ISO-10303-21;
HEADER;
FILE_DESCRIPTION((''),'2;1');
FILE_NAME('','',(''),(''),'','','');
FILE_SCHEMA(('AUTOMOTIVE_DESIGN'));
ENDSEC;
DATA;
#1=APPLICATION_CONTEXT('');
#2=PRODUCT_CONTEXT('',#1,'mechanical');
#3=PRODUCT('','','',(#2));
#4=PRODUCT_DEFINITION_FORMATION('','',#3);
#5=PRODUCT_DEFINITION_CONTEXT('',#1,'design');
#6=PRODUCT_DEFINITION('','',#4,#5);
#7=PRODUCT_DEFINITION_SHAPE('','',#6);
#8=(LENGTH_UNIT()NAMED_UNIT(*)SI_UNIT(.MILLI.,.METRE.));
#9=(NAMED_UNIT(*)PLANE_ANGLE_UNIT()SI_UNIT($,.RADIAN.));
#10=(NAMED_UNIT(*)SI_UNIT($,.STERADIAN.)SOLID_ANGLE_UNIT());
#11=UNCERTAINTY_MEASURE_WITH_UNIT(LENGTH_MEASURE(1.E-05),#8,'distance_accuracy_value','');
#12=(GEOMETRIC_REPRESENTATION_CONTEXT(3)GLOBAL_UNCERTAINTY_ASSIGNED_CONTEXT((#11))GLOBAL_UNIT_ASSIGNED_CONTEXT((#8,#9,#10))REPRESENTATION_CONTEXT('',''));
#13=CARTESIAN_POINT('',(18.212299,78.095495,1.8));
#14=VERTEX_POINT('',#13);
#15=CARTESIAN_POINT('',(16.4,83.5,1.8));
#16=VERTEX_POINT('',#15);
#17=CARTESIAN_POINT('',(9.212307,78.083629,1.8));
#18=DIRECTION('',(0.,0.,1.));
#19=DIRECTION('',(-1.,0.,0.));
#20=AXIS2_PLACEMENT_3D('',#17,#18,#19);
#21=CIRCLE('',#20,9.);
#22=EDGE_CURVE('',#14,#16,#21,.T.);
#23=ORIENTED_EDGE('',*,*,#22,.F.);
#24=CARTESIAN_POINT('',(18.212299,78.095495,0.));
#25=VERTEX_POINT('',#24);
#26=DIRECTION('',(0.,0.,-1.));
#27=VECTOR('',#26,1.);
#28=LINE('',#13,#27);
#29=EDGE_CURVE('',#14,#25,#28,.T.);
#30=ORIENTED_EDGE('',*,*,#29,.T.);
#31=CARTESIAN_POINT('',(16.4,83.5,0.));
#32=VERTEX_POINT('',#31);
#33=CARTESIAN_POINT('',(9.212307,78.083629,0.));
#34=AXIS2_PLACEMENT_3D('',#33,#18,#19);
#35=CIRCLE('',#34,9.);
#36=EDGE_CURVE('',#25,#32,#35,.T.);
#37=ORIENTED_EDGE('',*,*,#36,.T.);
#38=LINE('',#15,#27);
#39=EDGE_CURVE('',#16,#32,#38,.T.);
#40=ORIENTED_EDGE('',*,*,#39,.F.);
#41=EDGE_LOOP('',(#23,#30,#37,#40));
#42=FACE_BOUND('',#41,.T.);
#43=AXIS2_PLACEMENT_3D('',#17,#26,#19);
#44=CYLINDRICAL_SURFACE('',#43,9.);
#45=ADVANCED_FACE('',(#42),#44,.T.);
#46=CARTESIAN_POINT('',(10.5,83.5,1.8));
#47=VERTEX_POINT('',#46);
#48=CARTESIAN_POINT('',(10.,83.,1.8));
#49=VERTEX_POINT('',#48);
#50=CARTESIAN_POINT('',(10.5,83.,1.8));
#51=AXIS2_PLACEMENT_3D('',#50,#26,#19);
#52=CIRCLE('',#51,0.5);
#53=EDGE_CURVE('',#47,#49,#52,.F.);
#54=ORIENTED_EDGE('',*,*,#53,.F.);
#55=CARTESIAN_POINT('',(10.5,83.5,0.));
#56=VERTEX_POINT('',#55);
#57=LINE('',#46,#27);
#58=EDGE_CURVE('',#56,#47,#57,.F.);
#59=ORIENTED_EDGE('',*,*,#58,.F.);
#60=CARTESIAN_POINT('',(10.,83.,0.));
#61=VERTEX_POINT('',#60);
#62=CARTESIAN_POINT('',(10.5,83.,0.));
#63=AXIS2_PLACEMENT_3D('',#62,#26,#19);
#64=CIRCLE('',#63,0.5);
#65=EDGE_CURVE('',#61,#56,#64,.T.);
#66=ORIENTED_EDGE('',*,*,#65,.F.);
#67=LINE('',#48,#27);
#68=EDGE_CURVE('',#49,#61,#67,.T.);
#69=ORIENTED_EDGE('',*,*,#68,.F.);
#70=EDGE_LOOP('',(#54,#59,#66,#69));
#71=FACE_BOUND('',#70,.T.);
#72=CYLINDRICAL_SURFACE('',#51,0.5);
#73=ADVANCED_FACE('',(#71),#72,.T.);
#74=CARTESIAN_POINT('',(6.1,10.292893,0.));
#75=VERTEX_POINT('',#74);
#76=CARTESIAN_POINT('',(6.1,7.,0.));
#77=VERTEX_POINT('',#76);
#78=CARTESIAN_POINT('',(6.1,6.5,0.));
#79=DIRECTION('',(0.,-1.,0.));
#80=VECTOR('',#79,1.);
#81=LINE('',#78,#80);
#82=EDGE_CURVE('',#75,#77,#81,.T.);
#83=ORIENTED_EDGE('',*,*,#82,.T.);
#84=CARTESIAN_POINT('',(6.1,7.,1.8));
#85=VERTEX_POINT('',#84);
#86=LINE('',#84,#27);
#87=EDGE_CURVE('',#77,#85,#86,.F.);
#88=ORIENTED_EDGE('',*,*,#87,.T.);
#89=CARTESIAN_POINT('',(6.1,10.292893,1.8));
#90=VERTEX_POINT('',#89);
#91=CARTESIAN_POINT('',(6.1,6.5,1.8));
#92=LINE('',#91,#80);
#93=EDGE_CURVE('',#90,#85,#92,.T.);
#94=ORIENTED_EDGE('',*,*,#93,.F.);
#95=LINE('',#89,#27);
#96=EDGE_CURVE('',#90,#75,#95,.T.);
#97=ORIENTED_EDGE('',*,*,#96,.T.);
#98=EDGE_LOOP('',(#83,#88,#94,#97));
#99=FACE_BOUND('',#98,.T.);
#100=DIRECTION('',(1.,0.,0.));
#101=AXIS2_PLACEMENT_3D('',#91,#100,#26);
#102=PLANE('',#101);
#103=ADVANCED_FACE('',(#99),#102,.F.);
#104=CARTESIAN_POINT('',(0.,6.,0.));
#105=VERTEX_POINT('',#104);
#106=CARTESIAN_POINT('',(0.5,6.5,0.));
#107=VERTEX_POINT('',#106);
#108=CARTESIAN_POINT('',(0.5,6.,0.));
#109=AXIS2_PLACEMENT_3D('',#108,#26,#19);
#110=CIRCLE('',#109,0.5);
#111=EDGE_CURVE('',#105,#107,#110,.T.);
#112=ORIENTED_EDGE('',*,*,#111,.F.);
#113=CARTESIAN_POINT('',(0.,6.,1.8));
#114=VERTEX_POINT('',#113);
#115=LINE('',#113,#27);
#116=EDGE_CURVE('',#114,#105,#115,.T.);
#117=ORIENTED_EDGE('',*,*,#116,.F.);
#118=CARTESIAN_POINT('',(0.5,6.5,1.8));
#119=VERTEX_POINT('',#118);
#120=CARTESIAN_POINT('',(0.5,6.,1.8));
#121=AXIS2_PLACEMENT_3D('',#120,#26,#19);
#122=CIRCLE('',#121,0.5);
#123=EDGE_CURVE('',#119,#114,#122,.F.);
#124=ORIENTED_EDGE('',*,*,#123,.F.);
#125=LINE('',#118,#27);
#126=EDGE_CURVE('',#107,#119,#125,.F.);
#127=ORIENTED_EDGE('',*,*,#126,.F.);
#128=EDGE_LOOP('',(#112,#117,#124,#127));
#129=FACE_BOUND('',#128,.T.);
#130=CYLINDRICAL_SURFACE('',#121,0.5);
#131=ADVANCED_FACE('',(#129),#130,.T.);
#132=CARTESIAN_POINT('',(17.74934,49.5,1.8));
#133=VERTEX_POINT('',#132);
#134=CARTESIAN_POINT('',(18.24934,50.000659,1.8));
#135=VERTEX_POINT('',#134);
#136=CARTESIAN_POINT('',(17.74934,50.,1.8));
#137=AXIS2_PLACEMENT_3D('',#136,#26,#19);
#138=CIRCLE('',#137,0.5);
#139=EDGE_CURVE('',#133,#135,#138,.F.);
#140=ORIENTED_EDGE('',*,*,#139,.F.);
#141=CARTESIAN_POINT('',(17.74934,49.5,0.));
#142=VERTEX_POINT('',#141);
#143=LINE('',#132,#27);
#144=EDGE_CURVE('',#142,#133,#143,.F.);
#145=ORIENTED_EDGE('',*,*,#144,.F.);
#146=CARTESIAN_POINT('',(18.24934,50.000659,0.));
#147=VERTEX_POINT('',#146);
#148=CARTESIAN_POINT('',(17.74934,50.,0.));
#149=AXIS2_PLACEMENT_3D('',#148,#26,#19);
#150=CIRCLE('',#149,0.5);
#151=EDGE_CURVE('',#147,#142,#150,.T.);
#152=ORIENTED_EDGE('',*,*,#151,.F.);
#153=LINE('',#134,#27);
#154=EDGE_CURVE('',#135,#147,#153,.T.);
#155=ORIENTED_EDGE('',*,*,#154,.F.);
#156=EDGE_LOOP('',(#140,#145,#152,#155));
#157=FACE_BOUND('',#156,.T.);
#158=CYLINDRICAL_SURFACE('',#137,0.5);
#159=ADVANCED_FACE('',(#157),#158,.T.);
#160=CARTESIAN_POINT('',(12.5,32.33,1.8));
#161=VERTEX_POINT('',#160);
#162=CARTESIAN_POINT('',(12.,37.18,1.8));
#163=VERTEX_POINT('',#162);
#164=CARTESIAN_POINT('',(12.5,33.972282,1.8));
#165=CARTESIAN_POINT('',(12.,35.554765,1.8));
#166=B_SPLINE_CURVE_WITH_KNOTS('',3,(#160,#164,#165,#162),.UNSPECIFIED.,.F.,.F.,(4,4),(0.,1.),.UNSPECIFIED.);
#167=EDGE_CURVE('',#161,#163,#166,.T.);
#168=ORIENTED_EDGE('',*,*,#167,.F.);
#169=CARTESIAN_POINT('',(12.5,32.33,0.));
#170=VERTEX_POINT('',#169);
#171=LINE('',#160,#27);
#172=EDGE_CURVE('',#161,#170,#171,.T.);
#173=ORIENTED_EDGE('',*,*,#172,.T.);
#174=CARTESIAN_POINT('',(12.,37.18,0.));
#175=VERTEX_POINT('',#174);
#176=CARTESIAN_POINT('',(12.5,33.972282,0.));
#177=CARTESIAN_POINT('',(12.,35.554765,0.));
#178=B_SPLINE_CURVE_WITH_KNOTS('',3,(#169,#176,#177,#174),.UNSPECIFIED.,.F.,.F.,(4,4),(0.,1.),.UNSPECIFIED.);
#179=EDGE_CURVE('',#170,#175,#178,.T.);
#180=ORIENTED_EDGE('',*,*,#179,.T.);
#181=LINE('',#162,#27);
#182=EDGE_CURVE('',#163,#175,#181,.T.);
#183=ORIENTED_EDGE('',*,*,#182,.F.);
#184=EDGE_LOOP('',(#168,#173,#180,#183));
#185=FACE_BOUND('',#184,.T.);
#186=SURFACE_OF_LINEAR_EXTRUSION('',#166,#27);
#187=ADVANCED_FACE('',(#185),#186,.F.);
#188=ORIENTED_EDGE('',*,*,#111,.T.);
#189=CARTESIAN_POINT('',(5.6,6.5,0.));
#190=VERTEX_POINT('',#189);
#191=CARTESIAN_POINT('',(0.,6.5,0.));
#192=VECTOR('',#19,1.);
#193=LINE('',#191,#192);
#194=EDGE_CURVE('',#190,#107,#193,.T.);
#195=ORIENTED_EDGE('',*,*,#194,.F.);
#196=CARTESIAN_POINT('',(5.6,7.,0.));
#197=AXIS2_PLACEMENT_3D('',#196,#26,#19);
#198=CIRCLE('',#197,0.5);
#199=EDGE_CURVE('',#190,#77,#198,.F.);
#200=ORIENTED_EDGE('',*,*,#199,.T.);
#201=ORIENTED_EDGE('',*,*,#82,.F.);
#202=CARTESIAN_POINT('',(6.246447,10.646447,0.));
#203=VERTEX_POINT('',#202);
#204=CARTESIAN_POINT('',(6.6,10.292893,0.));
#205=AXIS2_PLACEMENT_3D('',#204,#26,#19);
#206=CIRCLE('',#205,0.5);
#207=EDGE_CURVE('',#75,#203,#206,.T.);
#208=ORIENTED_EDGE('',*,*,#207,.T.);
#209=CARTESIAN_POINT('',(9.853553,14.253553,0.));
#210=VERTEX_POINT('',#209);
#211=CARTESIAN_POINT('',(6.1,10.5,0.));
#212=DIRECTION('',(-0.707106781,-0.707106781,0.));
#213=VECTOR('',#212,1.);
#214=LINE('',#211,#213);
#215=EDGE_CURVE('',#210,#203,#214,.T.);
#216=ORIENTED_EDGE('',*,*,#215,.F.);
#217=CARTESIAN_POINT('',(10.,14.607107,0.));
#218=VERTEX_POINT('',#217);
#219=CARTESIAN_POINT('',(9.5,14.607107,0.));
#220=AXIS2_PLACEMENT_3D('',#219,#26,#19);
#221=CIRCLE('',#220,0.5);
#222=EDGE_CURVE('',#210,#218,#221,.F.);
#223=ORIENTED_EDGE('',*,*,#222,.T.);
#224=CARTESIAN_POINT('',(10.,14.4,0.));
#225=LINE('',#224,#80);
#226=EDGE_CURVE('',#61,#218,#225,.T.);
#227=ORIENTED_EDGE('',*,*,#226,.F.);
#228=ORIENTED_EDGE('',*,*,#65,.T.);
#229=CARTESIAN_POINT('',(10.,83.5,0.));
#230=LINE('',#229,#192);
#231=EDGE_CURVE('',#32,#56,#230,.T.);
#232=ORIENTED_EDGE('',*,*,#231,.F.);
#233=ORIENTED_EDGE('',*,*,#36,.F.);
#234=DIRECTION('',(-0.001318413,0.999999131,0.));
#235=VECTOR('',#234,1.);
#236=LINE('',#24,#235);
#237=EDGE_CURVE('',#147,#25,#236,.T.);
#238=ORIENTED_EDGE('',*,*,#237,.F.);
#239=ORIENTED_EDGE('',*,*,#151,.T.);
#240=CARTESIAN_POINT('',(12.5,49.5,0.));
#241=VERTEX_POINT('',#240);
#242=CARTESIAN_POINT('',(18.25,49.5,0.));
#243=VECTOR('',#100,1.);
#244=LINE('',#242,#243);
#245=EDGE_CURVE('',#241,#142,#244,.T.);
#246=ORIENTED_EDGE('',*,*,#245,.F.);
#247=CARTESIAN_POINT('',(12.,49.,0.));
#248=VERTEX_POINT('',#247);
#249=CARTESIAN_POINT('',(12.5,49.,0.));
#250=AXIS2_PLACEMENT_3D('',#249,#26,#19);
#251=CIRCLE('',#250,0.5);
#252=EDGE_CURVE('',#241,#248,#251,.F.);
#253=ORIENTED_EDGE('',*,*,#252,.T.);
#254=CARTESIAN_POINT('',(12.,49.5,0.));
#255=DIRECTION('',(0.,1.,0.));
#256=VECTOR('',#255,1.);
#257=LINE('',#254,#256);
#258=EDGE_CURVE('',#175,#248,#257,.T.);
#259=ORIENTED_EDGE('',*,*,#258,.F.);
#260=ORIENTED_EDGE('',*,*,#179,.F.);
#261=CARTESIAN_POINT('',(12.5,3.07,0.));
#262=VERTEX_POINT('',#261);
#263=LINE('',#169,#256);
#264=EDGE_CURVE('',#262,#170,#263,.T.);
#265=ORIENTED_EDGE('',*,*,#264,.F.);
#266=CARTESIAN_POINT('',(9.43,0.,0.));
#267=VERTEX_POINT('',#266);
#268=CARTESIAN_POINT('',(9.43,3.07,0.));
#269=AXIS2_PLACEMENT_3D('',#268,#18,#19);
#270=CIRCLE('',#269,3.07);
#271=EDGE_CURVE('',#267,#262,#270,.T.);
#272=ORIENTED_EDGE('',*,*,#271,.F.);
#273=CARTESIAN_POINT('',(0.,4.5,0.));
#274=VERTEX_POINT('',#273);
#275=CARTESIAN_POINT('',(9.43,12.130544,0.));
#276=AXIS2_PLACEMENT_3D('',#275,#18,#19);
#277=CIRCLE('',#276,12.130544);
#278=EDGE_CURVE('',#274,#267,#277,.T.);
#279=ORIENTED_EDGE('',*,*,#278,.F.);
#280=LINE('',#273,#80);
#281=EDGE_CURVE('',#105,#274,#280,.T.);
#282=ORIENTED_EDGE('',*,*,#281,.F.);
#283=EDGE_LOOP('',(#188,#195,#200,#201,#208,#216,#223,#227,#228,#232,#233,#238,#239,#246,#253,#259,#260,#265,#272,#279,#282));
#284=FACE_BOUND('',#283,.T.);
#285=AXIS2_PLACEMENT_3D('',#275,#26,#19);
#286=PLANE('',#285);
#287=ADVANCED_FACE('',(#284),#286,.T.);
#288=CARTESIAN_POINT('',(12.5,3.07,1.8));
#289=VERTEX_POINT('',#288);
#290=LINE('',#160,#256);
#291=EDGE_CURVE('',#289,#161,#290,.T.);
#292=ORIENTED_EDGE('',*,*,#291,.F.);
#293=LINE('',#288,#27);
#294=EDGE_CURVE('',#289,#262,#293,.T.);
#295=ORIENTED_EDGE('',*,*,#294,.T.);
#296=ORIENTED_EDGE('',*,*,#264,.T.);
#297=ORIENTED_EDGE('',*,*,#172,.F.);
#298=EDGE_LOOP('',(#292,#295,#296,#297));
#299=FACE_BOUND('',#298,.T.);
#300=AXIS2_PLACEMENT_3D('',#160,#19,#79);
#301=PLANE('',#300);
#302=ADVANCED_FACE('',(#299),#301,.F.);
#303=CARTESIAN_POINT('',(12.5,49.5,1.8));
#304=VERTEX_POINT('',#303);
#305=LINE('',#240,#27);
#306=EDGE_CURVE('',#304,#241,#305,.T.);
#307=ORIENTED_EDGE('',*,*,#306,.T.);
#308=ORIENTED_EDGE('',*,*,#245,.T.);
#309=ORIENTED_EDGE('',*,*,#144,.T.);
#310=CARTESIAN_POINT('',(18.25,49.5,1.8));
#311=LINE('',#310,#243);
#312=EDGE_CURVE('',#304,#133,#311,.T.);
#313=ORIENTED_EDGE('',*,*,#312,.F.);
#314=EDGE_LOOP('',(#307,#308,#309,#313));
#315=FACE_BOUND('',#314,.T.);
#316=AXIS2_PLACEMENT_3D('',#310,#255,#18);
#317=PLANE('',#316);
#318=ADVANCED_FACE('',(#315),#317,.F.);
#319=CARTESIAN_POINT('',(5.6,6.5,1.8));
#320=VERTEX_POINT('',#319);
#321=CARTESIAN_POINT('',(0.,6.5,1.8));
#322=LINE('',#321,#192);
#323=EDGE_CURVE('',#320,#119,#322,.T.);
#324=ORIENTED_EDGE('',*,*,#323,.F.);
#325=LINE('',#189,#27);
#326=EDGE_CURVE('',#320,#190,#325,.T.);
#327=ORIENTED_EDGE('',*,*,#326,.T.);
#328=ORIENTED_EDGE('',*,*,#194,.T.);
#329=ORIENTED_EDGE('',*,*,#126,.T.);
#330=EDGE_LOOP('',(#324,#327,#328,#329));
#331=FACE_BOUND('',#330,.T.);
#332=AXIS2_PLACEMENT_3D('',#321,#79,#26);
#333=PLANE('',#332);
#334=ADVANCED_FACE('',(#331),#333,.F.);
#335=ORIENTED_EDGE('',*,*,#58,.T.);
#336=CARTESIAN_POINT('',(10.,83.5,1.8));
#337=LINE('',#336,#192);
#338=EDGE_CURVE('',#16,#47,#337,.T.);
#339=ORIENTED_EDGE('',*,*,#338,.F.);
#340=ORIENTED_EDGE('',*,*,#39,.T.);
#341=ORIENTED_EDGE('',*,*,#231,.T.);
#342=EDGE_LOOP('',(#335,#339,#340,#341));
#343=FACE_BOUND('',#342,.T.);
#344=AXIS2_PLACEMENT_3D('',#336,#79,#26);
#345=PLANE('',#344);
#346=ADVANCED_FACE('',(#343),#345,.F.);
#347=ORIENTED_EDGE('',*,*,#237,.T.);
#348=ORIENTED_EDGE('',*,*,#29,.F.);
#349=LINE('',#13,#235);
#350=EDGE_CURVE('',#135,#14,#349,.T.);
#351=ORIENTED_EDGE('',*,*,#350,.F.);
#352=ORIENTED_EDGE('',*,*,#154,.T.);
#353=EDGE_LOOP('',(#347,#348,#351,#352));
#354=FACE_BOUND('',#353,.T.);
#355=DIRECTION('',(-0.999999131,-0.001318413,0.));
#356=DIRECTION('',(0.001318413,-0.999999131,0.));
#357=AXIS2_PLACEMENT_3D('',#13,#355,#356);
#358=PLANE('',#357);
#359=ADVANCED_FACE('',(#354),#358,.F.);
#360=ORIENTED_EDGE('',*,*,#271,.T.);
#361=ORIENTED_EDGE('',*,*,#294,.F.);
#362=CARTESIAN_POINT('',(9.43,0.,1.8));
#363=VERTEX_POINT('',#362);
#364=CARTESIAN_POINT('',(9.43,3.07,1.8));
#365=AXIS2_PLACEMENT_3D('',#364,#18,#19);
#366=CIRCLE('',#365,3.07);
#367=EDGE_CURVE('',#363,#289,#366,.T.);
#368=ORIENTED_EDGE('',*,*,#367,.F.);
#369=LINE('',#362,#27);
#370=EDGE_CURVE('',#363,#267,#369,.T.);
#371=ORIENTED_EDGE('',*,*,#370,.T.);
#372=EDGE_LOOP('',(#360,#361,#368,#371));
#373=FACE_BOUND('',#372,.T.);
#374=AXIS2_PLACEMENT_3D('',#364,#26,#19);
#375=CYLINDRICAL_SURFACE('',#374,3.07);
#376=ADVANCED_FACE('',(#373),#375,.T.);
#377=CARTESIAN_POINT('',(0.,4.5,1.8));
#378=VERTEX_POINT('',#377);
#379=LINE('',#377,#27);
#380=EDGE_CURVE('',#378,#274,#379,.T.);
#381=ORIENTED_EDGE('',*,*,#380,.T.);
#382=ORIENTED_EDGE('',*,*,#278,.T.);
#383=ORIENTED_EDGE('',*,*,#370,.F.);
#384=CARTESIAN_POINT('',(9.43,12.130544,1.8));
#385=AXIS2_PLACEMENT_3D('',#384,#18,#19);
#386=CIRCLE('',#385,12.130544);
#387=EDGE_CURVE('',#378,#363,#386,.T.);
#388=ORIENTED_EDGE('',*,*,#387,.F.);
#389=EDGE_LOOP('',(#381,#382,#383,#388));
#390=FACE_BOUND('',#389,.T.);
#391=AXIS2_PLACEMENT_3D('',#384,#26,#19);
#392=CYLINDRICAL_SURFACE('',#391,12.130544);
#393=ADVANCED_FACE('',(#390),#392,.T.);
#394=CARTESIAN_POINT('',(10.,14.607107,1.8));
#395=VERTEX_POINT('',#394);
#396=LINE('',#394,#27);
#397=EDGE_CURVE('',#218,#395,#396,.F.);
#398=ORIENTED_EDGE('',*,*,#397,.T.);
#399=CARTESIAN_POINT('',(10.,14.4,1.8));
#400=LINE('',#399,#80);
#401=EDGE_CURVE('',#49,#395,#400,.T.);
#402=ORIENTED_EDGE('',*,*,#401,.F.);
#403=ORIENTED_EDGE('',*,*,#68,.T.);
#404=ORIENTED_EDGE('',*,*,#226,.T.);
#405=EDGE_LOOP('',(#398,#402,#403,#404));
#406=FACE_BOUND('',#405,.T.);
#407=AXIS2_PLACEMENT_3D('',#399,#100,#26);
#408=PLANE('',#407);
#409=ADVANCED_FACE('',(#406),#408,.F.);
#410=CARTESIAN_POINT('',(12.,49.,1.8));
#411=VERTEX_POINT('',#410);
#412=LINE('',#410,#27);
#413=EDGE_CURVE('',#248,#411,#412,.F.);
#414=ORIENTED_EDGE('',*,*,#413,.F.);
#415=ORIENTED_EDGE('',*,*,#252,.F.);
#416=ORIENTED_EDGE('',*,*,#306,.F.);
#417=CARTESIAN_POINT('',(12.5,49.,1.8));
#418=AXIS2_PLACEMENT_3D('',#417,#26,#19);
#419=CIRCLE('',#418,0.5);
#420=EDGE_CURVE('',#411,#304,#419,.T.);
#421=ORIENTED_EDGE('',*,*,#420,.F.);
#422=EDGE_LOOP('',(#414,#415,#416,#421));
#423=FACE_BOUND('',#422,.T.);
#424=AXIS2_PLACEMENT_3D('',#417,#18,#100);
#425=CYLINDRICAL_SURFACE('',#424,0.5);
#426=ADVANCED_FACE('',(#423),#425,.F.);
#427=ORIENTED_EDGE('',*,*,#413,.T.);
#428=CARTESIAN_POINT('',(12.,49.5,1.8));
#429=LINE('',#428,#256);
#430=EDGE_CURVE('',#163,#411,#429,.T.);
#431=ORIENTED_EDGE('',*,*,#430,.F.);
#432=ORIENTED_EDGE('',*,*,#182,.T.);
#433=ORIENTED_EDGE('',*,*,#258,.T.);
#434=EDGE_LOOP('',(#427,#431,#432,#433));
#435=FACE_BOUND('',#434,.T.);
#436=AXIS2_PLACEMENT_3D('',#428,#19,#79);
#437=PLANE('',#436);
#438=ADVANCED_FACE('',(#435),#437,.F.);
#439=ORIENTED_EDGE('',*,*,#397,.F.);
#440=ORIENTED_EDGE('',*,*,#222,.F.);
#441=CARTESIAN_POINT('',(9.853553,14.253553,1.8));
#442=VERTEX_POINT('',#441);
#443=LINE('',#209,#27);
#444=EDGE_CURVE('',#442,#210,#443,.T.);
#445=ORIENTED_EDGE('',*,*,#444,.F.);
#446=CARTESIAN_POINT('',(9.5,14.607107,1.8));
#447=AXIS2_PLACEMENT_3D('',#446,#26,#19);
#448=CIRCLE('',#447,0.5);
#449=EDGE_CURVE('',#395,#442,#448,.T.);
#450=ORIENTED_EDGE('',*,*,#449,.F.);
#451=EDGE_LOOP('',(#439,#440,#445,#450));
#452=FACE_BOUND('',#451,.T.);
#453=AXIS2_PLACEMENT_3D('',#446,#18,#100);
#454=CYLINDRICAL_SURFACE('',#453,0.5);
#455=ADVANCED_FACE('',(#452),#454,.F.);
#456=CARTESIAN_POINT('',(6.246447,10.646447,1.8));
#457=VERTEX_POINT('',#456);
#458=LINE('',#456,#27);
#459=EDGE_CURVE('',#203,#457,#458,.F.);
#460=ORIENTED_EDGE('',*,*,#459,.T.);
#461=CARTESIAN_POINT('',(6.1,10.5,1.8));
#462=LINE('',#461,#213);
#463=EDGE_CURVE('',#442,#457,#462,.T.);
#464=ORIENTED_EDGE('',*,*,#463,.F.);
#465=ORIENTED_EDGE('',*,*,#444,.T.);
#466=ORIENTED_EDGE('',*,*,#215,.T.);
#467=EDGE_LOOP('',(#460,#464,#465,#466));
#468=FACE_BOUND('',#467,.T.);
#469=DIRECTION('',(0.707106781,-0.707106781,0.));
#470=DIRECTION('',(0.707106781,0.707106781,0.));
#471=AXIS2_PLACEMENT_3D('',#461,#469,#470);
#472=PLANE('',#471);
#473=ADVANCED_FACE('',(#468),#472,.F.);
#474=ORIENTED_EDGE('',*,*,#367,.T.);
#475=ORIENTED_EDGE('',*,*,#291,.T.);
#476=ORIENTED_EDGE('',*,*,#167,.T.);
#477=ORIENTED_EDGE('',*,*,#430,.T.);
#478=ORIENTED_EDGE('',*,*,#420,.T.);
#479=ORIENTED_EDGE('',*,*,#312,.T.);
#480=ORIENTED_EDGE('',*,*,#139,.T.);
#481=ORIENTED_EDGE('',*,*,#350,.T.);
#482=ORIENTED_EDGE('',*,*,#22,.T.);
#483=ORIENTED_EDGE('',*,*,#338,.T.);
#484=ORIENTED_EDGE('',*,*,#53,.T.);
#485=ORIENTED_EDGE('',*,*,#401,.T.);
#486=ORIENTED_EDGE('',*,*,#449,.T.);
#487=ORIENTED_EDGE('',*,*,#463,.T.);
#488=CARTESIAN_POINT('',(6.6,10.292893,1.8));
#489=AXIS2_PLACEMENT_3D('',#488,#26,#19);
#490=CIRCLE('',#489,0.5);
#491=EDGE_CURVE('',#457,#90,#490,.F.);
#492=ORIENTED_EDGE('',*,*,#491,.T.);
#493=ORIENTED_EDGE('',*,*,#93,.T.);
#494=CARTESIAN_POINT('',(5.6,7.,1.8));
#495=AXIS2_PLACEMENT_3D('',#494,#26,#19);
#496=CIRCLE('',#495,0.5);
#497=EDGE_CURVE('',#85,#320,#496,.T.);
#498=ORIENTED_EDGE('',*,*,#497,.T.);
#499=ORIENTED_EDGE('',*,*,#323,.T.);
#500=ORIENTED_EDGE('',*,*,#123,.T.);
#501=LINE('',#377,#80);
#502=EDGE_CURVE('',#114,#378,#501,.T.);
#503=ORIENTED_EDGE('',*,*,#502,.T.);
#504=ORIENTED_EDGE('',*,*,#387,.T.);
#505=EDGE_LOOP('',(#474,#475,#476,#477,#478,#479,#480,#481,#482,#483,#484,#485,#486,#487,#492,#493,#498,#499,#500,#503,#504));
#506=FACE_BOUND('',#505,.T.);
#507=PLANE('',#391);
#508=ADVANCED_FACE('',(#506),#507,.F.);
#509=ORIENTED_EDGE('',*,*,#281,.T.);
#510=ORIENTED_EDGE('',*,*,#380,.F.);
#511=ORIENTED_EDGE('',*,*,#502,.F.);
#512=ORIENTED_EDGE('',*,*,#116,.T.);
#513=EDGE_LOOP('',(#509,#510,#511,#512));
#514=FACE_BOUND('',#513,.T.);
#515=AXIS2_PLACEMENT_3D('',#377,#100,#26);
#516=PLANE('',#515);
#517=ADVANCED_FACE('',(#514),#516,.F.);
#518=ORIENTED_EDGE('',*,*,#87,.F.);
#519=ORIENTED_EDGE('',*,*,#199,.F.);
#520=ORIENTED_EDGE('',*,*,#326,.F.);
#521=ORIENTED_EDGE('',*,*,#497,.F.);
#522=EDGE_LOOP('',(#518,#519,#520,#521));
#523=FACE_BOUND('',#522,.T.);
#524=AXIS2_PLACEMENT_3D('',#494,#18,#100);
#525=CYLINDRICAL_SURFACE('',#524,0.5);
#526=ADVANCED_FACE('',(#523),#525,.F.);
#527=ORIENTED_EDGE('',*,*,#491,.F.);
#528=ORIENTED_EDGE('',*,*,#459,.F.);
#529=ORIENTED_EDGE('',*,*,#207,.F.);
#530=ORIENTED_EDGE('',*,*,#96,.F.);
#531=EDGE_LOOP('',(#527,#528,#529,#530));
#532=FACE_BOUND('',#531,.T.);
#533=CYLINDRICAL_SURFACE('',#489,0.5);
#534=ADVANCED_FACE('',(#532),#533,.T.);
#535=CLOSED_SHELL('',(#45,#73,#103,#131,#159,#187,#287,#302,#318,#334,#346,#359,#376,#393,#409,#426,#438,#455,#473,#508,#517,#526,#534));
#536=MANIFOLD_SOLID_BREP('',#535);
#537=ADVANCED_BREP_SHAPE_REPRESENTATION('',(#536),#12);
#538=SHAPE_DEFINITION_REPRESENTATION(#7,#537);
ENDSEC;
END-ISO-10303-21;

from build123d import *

# Parameters (mm, degrees)
BOSS_EXTRUDE1_DEPTH = 1.8
FILLET1_R           = 0.5


with BuildPart() as part:
    # Sketch1 → Boss-Extrude1 (new body)
    with BuildSketch(Plane.XY):
        with BuildLine():
            Line((0, 4.5), (0, 6.5))
            Line((0, 6.5), (6.1, 6.5))
            Line((6.1, 6.5), (6.1, 10.5))
            Line((6.1, 10.5), (10, 14.4))
            Line((10, 14.4), (10, 83.5))
            Line((10, 83.5), (16.4, 83.5))
            ThreePointArc((16.4, 83.5), (17.745328581, 80.945017946), (18.212299295, 78.095495067))
            Line((18.212299295, 78.095495067), (18.25, 49.5))
            Line((18.25, 49.5), (12, 49.5))
            Line((12, 49.5), (12, 37.18))
            add(Edge.make_bspline(
                [(12, 37.18), (12, 35.554764974), (12.5, 33.972282338), (12.5, 32.33)],
                knots=[0, 0, 0, 0, 1, 1, 1, 1], degree=3))
            Line((12.5, 32.33), (12.5, 3.07))
            ThreePointArc((12.5, 3.07), (11.600817818, 0.899182182), (9.43, 0))
            ThreePointArc((9.43, 0), (4.205660329, 1.182650422), (0, 4.5))
        make_face()
    extrude(amount=BOSS_EXTRUDE1_DEPTH)

    # Fillet1
    fillet1_edges = [part.edges().sort_by_distance(p)[0] for p in [
        (0, 6.5, 0.9),
        (6.1, 6.5, 0.9),
        (6.1, 10.5, 0.9),
        (10, 14.4, 0.9),
        (10, 83.5, 0.9),
        (18.25, 49.5, 0.9),
        (12, 49.5, 0.9),
    ]]
    fillet(fillet1_edges, radius=FILLET1_R)


solid = part.part
